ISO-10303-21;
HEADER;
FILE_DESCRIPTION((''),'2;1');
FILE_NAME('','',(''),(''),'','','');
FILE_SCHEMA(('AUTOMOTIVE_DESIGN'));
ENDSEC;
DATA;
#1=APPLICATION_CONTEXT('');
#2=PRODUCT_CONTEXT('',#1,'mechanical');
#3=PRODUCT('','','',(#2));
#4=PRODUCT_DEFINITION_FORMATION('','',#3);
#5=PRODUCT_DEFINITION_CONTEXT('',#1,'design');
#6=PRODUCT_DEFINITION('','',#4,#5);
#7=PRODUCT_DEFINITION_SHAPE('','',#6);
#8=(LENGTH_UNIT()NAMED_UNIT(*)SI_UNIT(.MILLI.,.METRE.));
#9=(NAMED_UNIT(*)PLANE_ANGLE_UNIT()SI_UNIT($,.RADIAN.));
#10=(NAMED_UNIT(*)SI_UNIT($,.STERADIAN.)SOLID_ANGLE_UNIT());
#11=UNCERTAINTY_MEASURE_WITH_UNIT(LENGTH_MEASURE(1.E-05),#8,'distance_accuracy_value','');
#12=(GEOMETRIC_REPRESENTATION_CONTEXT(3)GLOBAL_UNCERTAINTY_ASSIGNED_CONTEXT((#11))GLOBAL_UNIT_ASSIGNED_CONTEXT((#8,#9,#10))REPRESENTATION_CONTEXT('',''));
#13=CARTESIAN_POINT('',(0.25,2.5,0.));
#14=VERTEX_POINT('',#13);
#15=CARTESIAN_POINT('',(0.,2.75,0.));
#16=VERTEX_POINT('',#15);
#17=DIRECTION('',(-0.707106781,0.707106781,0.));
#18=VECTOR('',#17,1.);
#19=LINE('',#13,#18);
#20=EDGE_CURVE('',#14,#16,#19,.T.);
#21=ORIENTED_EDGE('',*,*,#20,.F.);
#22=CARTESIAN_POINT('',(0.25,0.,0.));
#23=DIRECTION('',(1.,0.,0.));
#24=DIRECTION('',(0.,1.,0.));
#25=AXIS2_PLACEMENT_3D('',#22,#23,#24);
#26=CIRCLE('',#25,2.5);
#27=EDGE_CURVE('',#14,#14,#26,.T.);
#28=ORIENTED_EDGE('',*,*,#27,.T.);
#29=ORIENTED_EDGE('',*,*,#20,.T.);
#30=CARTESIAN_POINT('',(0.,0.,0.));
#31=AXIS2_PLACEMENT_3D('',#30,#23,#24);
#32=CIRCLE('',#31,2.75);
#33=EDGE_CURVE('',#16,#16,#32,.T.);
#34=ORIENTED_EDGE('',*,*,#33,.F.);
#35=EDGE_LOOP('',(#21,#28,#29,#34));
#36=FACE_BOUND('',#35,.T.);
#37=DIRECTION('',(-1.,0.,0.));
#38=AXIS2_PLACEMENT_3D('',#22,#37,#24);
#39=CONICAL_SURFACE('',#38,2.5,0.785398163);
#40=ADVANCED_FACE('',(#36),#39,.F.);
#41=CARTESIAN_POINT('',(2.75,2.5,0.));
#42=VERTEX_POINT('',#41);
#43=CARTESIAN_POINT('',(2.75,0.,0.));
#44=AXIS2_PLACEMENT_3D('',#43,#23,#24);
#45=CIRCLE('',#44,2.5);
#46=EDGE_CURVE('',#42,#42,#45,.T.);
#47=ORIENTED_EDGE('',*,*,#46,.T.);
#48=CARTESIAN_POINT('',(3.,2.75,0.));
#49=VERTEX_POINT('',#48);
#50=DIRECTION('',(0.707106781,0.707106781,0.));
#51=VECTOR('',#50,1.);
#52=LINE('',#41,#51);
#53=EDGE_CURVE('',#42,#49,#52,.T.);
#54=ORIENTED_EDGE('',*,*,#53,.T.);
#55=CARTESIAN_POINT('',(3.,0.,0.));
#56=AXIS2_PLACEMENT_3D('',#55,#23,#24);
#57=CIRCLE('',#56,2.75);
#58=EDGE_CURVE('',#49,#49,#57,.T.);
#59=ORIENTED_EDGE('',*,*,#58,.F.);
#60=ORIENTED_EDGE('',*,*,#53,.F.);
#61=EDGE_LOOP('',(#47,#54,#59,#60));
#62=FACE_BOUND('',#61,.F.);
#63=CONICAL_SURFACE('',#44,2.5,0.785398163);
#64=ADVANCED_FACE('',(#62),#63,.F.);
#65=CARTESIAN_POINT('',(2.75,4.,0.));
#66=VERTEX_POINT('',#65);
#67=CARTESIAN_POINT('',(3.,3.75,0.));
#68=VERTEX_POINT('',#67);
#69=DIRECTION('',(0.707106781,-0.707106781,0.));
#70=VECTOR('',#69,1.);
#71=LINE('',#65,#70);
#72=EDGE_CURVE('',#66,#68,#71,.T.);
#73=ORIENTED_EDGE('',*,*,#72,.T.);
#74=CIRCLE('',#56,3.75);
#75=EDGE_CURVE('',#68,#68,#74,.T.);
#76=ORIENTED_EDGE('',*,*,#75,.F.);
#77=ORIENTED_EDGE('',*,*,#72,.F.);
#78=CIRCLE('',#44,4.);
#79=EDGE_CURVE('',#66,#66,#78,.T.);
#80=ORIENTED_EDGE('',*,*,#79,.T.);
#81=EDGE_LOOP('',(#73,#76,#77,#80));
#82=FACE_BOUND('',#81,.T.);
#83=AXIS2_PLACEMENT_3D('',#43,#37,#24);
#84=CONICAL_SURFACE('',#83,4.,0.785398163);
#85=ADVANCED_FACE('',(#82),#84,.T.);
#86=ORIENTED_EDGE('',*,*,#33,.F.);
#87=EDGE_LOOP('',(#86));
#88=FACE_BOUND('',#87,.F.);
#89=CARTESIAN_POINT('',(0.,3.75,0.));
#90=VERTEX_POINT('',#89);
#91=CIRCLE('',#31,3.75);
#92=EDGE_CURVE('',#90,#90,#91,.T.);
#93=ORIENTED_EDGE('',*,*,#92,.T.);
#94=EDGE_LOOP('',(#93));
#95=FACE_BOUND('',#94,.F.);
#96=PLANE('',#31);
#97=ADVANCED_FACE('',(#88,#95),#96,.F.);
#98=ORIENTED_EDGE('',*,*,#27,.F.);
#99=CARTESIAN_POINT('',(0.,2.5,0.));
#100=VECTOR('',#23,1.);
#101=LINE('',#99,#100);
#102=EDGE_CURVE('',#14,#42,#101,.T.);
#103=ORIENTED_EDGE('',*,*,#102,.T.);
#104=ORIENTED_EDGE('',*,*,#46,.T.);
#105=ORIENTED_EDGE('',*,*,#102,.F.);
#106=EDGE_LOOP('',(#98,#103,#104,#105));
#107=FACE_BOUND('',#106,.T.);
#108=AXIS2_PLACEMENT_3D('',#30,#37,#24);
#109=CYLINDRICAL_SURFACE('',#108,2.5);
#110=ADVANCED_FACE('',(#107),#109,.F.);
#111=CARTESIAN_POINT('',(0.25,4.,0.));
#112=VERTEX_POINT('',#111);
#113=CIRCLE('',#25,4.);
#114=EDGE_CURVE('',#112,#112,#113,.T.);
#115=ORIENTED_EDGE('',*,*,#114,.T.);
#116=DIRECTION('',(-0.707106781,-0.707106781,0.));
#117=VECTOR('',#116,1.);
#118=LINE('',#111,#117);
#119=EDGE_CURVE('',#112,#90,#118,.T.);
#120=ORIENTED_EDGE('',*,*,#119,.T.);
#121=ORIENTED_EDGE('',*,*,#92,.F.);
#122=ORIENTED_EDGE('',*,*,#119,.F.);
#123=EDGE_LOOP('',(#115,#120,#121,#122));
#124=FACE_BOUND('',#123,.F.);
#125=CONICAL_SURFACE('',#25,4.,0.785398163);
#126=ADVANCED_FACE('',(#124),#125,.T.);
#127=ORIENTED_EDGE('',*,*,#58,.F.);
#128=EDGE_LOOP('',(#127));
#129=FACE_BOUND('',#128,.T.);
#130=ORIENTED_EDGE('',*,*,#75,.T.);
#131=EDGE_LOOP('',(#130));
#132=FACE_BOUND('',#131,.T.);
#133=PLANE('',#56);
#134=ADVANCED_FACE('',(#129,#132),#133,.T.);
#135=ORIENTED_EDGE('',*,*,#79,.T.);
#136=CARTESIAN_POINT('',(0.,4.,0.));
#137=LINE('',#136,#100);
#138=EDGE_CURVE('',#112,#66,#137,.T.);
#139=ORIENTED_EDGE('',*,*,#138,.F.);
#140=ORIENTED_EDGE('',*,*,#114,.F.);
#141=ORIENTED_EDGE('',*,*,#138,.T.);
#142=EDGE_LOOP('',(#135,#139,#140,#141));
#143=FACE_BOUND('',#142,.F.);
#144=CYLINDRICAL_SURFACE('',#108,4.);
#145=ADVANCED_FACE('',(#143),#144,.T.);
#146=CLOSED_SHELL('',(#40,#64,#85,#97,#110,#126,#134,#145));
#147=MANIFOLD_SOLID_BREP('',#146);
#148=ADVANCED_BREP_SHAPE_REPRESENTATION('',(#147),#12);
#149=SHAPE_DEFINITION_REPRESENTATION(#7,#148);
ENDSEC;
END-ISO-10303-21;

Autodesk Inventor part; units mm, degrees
ref_plane "YZ Plane" through (0, 0, 0) normal (1, 0, 0) x (0, 1, 0)
ref_plane "XZ Plane" through (0, 0, 0) normal (0, 1, 0) x (-1, 0, 0)
ref_plane "XY Plane" through (0, 0, 0) normal (0, 0, 1) x (1, 0, 0)
sketch "Sketch1" plane through (0, 0, 0) normal (1, 0, 0) x (0, 1, 0)
  circle A0 centre (0, 0) radius 2.5
  circle A1 centre (0, 0) radius 4
  dimension "d0" = 5
  dimension "d1" = 8
extrude "Extrusion1" add sketch "Sketch1" along normal blind 3
chamfer "Chamfer1" distance 0.25 angle 45 4 edges at (3, -4, 0) (3, -2.5, 0) (0, -4, 0) (0, -2.5, 0)
properties part number "Ø(8-5)x3"
